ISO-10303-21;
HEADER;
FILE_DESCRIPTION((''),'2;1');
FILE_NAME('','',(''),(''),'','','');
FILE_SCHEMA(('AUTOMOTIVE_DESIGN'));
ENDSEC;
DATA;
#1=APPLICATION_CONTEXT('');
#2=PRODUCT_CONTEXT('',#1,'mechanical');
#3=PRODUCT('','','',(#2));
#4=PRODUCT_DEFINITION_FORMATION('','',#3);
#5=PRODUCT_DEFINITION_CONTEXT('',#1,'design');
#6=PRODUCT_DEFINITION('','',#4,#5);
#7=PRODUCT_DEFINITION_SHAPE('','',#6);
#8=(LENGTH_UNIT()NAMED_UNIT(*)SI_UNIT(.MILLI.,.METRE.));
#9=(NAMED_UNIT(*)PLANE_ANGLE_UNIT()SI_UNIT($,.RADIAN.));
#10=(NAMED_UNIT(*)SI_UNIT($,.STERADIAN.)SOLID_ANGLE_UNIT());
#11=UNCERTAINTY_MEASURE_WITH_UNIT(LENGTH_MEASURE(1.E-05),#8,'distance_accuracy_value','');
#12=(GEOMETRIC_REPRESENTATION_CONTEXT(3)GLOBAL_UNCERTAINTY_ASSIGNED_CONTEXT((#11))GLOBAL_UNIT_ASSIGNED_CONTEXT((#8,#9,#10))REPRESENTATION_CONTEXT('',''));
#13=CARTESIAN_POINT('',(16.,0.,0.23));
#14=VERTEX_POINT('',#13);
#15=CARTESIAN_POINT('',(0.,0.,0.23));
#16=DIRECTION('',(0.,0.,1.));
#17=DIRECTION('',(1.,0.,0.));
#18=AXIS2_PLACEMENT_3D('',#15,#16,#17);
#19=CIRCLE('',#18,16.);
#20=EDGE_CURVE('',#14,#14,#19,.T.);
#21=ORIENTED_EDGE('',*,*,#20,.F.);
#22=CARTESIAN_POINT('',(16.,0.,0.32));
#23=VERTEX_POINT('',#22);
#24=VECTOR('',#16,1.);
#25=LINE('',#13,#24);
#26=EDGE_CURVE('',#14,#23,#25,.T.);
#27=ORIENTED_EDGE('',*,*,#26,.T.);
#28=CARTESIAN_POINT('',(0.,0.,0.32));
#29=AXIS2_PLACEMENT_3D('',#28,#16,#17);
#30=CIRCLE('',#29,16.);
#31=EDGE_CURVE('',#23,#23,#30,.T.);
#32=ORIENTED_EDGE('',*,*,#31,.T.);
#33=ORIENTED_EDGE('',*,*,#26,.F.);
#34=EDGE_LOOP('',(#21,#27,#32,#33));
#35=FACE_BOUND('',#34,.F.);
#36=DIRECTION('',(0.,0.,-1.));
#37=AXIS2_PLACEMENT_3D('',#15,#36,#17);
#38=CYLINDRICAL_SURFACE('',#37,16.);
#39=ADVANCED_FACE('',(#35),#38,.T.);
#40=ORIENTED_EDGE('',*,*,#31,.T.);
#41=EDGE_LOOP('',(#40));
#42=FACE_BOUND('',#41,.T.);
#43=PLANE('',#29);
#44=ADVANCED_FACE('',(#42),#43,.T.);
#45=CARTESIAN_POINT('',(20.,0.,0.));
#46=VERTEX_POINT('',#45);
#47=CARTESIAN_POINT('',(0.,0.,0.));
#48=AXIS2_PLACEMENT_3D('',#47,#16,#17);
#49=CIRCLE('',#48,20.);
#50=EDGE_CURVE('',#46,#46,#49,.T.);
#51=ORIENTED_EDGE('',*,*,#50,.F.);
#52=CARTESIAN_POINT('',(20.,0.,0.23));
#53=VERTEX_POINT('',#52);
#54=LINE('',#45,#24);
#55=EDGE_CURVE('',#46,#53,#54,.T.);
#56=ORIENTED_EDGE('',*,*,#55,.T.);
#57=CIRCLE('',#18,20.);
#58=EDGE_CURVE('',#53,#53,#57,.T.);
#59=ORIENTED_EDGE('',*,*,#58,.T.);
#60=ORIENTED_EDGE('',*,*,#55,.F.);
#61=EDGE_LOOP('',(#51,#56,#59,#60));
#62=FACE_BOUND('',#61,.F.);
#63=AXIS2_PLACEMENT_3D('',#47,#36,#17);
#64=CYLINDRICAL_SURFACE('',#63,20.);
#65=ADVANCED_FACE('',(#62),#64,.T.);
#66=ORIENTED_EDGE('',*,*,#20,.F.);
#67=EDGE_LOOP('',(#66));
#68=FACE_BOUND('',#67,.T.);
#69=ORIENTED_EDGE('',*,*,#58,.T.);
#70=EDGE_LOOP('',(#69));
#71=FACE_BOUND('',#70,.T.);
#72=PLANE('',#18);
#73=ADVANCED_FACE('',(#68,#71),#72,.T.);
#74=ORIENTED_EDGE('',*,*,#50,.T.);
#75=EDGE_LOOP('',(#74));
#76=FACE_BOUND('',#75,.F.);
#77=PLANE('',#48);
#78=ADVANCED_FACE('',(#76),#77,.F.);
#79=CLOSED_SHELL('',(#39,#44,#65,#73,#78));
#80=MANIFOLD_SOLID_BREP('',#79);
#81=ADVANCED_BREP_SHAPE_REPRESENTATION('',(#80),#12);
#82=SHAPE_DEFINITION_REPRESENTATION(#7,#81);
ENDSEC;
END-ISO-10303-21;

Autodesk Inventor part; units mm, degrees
ref_plane "YZ Plane" through (0, 0, 0) normal (1, 0, 0) x (0, 1, 0)
ref_plane "XZ Plane" through (0, 0, 0) normal (0, 1, 0) x (-1, 0, 0)
ref_plane "XY Plane" through (0, 0, 0) normal (0, 0, 1) x (1, 0, 0)
sketch "Sketch1" plane through (0, 0, 0) normal (0, 0, 1) x (1, 0, 0)
  circle A0 centre (0, 0) radius 20
  dimension "d2" = 40
extrude "Extrusion1" add sketch "Sketch1" along normal blind 0.23
sketch "Sketch2" plane through (0, 0, 0.23) normal (0, 0, 1) x (1, 0, 0)
  circle A0 centre (0, 0) radius 16
  dimension "d3" = 32
extrude "Extrusion2" add sketch "Sketch2" along normal blind 0.09
properties part number "Diaphragm" material "Glass"
